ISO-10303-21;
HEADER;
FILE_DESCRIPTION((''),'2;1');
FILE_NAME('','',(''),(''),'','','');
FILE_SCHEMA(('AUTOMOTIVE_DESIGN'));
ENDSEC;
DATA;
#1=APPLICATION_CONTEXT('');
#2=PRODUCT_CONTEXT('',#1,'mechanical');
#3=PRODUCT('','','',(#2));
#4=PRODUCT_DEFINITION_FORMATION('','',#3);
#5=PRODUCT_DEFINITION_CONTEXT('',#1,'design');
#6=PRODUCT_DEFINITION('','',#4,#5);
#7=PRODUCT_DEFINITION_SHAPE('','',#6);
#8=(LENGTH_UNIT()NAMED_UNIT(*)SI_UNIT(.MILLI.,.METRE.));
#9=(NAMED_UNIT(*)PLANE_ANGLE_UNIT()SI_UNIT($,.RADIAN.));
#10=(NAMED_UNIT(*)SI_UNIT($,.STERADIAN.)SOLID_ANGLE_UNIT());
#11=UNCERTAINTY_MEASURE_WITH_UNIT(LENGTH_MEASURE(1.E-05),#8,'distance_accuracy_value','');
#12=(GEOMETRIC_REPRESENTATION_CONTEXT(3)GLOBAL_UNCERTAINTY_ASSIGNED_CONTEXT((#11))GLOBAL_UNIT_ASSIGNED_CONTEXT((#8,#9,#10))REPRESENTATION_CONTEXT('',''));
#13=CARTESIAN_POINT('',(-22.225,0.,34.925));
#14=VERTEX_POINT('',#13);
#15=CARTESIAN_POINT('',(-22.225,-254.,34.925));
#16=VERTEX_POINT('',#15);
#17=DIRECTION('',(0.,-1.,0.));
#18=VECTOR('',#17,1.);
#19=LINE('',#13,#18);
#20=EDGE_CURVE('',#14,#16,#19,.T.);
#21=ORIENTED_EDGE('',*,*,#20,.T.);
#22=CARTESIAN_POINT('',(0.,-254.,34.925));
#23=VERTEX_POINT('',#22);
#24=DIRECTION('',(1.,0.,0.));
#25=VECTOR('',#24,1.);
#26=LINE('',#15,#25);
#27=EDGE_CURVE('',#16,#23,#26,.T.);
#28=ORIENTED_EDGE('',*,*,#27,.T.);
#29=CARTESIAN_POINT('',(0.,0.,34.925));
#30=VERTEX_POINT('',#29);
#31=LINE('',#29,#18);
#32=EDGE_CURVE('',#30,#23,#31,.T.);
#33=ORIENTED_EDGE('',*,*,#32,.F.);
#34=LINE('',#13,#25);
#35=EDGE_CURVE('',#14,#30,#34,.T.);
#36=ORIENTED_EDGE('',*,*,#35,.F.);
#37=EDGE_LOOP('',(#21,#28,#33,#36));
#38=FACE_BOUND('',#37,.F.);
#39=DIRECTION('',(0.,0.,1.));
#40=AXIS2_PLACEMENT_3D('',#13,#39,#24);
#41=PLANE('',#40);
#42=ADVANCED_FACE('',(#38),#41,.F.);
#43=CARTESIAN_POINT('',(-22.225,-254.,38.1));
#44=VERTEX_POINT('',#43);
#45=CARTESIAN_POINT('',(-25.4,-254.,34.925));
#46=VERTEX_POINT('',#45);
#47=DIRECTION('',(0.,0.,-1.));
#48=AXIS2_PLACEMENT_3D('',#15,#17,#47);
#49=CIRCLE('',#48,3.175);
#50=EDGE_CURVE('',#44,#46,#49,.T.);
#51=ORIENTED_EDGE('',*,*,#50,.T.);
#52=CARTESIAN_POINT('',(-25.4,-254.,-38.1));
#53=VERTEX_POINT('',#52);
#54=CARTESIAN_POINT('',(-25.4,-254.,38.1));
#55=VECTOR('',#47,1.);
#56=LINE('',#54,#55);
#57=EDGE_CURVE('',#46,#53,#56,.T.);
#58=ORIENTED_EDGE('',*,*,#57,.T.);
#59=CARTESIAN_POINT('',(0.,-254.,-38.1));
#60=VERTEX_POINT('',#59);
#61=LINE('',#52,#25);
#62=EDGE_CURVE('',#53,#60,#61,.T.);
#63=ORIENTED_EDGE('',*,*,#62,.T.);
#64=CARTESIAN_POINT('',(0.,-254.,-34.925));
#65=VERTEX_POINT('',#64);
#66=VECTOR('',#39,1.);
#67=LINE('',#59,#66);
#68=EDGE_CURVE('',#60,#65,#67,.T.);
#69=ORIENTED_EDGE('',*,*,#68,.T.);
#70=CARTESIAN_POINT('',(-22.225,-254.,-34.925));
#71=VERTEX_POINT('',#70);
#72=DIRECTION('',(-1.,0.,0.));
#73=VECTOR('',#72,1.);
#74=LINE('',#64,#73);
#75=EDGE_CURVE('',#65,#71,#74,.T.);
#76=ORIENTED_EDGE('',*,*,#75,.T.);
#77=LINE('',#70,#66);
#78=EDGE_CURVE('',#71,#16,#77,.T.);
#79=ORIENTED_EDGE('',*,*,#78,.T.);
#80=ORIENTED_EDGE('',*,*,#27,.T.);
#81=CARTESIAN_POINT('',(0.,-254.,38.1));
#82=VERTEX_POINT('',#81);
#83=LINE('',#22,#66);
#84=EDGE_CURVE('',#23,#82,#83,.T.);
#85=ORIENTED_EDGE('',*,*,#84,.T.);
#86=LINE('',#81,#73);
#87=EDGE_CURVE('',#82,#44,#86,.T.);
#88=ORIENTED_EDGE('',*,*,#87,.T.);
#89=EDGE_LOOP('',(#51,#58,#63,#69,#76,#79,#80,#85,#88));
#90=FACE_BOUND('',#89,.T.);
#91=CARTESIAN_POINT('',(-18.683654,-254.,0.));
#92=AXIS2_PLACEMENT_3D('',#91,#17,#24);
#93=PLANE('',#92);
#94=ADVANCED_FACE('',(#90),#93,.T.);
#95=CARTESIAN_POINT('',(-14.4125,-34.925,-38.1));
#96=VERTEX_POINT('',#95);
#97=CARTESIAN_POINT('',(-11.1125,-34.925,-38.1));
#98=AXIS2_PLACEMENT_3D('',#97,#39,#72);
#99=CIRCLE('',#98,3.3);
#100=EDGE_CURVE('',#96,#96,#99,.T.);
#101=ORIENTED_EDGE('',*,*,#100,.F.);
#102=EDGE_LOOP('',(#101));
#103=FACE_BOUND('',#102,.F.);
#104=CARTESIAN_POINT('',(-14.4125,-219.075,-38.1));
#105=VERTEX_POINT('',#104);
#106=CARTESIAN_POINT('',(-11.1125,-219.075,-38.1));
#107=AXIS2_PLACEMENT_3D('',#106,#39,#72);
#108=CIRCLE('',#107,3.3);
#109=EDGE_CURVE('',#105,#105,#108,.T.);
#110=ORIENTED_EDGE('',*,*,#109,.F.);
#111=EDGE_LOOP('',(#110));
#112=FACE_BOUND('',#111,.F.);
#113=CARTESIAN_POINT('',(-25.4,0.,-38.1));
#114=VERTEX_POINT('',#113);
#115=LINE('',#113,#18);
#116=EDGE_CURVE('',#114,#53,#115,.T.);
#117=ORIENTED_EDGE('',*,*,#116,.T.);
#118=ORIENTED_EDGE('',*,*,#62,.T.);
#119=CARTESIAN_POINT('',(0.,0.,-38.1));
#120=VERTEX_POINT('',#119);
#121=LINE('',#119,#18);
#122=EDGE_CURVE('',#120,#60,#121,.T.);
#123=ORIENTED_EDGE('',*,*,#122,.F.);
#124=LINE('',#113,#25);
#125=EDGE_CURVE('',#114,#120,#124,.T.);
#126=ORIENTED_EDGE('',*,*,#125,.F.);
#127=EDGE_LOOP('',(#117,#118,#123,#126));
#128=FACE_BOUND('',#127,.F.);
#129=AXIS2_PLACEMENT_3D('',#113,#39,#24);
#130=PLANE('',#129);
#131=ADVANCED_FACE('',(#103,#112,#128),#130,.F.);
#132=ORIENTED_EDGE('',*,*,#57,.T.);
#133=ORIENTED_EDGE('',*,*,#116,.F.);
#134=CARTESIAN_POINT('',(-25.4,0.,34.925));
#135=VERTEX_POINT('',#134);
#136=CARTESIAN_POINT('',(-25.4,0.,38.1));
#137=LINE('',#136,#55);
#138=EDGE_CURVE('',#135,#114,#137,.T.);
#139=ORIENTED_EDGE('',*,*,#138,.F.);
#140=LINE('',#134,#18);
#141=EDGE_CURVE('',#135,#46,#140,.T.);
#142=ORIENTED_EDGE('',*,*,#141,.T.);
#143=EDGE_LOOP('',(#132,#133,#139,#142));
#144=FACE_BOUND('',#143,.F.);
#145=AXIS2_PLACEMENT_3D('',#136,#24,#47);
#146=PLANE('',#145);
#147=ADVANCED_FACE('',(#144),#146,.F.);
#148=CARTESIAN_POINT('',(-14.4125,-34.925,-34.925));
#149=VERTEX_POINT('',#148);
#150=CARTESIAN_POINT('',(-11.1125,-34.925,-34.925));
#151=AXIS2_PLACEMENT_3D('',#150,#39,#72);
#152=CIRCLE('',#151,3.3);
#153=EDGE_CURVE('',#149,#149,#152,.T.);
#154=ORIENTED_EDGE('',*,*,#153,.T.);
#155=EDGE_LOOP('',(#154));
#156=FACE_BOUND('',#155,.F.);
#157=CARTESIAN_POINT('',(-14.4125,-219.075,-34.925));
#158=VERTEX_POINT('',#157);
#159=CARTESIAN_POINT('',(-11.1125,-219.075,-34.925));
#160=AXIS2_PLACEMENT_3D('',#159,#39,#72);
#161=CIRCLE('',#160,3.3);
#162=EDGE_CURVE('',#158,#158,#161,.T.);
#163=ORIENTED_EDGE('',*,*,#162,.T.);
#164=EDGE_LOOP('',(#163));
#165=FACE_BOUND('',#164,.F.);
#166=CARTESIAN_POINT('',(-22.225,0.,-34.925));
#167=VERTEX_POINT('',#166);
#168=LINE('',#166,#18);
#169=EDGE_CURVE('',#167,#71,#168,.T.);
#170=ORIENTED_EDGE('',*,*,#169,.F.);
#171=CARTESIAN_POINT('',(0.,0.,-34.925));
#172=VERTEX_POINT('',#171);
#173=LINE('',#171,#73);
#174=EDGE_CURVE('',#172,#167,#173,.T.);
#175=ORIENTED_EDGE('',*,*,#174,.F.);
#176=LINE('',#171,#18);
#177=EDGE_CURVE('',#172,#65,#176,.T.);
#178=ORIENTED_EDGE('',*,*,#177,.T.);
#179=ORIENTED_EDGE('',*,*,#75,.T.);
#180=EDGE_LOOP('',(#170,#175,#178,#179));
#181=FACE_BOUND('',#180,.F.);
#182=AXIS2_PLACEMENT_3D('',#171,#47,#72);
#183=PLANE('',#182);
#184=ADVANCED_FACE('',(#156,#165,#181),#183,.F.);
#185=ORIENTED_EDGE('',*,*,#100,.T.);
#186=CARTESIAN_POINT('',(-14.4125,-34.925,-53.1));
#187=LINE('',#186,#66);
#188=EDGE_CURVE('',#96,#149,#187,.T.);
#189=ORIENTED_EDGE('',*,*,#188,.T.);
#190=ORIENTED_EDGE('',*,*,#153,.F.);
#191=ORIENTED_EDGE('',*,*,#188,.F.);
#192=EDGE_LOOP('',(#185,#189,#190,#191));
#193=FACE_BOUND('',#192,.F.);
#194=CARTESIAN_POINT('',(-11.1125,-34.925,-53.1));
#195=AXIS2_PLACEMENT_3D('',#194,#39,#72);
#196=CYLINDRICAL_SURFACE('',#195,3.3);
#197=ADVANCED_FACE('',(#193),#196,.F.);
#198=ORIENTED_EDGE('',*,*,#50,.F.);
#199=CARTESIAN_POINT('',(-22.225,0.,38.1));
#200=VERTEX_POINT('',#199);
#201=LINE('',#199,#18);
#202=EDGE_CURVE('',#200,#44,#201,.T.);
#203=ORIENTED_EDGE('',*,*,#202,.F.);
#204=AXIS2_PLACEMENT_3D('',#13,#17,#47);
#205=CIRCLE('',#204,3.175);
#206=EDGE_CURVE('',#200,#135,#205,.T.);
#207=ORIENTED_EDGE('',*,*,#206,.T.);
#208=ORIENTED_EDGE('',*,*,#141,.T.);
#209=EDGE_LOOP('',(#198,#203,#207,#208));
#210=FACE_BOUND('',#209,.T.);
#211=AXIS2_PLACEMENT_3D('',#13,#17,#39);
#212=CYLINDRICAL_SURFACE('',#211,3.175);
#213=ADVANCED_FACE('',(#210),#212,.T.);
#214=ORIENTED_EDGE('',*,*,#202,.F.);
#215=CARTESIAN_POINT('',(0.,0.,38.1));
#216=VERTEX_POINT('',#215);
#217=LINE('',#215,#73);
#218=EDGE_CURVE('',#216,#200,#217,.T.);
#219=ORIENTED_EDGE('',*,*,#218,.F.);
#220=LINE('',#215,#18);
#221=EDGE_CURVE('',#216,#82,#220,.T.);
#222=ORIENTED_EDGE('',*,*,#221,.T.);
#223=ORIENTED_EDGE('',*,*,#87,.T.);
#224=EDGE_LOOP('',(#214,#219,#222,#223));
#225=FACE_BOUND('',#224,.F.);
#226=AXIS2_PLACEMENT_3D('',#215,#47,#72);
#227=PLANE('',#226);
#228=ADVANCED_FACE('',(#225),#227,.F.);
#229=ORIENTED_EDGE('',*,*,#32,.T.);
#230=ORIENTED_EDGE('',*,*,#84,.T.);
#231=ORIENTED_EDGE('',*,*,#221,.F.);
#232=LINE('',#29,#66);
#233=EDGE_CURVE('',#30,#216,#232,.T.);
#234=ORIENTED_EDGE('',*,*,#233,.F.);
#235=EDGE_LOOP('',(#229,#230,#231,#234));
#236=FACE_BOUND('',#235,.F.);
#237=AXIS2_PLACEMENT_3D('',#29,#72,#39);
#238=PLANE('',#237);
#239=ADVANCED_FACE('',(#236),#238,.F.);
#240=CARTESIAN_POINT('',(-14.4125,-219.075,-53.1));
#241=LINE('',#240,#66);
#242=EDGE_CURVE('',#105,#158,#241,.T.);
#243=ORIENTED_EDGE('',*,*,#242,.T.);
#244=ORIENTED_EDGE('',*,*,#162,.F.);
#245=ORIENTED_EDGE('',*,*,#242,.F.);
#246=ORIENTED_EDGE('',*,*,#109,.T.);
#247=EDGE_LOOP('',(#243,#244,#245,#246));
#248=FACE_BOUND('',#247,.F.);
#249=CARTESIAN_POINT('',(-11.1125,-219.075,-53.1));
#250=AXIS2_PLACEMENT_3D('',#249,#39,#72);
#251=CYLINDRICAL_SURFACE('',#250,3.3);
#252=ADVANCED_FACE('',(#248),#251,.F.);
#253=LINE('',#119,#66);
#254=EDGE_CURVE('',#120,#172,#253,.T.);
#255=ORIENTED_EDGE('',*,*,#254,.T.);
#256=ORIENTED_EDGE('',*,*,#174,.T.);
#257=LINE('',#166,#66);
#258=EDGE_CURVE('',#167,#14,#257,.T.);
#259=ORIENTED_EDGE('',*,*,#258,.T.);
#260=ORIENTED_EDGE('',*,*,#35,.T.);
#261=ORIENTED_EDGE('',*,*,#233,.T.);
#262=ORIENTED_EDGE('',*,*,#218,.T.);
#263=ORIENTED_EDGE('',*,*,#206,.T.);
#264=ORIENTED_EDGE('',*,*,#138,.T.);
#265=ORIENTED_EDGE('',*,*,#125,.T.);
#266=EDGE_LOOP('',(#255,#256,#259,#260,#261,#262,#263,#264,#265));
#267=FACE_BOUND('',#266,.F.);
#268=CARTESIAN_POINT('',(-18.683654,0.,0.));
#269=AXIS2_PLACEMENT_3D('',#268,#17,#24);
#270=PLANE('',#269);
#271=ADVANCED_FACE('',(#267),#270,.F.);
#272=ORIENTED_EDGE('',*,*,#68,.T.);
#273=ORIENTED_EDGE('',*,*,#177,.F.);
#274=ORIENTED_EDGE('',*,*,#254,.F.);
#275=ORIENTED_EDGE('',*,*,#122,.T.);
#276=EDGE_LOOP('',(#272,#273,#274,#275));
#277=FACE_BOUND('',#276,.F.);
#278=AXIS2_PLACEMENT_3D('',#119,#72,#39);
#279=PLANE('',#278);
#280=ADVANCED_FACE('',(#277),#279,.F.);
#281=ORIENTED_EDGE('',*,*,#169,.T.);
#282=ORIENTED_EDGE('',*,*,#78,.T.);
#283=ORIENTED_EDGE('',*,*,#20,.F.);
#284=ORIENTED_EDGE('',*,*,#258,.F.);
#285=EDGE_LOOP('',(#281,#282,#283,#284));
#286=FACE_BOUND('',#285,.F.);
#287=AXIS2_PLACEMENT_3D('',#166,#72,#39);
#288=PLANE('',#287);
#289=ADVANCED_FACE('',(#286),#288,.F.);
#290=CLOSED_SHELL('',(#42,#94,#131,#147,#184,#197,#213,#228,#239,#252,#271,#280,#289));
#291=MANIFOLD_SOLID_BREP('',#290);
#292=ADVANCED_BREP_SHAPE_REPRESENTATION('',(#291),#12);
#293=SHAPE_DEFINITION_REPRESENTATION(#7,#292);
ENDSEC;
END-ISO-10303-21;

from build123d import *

# Parameters (mm, degrees)
F1_DEPTH = 254
F3_D     = 6.6
F3_DEPTH = 15
F3_TIP   = 1.9828400428
F4_R     = 3.175


with BuildPart() as f1:
    # F0 (on Front) → F1 (new body)
    with BuildSketch(Plane.XZ):
        Polygon((0, 34.925), (0, 38.1), (-25.4, 38.1), (-25.4, -38.1), (0, -38.1), (0, -34.925), (-22.225, -34.925), (-22.225, 34.925), align=None)
    extrude(amount=F1_DEPTH)

    # F3
    with Locations(Plane(origin=(0, 0, -38.1), x_dir=(1, 0, 0), z_dir=(0, 0, -1))):
        with Locations((-11.1125, 219.075), (-11.1125, 34.925)):
            Hole(F3_D / 2, depth=F3_DEPTH)
            with Locations((0, 0, -(F3_DEPTH + F3_TIP / 2))):  # 118° drill point
                Cone(0, F3_D / 2, F3_TIP, mode=Mode.SUBTRACT)

    # F4
    f4_edges = [f1.edges().sort_by_distance(p)[0] for p in [
        (-25.4, -127, 38.1),
    ]]
    fillet(f4_edges, radius=F4_R)


solid = f1.part
